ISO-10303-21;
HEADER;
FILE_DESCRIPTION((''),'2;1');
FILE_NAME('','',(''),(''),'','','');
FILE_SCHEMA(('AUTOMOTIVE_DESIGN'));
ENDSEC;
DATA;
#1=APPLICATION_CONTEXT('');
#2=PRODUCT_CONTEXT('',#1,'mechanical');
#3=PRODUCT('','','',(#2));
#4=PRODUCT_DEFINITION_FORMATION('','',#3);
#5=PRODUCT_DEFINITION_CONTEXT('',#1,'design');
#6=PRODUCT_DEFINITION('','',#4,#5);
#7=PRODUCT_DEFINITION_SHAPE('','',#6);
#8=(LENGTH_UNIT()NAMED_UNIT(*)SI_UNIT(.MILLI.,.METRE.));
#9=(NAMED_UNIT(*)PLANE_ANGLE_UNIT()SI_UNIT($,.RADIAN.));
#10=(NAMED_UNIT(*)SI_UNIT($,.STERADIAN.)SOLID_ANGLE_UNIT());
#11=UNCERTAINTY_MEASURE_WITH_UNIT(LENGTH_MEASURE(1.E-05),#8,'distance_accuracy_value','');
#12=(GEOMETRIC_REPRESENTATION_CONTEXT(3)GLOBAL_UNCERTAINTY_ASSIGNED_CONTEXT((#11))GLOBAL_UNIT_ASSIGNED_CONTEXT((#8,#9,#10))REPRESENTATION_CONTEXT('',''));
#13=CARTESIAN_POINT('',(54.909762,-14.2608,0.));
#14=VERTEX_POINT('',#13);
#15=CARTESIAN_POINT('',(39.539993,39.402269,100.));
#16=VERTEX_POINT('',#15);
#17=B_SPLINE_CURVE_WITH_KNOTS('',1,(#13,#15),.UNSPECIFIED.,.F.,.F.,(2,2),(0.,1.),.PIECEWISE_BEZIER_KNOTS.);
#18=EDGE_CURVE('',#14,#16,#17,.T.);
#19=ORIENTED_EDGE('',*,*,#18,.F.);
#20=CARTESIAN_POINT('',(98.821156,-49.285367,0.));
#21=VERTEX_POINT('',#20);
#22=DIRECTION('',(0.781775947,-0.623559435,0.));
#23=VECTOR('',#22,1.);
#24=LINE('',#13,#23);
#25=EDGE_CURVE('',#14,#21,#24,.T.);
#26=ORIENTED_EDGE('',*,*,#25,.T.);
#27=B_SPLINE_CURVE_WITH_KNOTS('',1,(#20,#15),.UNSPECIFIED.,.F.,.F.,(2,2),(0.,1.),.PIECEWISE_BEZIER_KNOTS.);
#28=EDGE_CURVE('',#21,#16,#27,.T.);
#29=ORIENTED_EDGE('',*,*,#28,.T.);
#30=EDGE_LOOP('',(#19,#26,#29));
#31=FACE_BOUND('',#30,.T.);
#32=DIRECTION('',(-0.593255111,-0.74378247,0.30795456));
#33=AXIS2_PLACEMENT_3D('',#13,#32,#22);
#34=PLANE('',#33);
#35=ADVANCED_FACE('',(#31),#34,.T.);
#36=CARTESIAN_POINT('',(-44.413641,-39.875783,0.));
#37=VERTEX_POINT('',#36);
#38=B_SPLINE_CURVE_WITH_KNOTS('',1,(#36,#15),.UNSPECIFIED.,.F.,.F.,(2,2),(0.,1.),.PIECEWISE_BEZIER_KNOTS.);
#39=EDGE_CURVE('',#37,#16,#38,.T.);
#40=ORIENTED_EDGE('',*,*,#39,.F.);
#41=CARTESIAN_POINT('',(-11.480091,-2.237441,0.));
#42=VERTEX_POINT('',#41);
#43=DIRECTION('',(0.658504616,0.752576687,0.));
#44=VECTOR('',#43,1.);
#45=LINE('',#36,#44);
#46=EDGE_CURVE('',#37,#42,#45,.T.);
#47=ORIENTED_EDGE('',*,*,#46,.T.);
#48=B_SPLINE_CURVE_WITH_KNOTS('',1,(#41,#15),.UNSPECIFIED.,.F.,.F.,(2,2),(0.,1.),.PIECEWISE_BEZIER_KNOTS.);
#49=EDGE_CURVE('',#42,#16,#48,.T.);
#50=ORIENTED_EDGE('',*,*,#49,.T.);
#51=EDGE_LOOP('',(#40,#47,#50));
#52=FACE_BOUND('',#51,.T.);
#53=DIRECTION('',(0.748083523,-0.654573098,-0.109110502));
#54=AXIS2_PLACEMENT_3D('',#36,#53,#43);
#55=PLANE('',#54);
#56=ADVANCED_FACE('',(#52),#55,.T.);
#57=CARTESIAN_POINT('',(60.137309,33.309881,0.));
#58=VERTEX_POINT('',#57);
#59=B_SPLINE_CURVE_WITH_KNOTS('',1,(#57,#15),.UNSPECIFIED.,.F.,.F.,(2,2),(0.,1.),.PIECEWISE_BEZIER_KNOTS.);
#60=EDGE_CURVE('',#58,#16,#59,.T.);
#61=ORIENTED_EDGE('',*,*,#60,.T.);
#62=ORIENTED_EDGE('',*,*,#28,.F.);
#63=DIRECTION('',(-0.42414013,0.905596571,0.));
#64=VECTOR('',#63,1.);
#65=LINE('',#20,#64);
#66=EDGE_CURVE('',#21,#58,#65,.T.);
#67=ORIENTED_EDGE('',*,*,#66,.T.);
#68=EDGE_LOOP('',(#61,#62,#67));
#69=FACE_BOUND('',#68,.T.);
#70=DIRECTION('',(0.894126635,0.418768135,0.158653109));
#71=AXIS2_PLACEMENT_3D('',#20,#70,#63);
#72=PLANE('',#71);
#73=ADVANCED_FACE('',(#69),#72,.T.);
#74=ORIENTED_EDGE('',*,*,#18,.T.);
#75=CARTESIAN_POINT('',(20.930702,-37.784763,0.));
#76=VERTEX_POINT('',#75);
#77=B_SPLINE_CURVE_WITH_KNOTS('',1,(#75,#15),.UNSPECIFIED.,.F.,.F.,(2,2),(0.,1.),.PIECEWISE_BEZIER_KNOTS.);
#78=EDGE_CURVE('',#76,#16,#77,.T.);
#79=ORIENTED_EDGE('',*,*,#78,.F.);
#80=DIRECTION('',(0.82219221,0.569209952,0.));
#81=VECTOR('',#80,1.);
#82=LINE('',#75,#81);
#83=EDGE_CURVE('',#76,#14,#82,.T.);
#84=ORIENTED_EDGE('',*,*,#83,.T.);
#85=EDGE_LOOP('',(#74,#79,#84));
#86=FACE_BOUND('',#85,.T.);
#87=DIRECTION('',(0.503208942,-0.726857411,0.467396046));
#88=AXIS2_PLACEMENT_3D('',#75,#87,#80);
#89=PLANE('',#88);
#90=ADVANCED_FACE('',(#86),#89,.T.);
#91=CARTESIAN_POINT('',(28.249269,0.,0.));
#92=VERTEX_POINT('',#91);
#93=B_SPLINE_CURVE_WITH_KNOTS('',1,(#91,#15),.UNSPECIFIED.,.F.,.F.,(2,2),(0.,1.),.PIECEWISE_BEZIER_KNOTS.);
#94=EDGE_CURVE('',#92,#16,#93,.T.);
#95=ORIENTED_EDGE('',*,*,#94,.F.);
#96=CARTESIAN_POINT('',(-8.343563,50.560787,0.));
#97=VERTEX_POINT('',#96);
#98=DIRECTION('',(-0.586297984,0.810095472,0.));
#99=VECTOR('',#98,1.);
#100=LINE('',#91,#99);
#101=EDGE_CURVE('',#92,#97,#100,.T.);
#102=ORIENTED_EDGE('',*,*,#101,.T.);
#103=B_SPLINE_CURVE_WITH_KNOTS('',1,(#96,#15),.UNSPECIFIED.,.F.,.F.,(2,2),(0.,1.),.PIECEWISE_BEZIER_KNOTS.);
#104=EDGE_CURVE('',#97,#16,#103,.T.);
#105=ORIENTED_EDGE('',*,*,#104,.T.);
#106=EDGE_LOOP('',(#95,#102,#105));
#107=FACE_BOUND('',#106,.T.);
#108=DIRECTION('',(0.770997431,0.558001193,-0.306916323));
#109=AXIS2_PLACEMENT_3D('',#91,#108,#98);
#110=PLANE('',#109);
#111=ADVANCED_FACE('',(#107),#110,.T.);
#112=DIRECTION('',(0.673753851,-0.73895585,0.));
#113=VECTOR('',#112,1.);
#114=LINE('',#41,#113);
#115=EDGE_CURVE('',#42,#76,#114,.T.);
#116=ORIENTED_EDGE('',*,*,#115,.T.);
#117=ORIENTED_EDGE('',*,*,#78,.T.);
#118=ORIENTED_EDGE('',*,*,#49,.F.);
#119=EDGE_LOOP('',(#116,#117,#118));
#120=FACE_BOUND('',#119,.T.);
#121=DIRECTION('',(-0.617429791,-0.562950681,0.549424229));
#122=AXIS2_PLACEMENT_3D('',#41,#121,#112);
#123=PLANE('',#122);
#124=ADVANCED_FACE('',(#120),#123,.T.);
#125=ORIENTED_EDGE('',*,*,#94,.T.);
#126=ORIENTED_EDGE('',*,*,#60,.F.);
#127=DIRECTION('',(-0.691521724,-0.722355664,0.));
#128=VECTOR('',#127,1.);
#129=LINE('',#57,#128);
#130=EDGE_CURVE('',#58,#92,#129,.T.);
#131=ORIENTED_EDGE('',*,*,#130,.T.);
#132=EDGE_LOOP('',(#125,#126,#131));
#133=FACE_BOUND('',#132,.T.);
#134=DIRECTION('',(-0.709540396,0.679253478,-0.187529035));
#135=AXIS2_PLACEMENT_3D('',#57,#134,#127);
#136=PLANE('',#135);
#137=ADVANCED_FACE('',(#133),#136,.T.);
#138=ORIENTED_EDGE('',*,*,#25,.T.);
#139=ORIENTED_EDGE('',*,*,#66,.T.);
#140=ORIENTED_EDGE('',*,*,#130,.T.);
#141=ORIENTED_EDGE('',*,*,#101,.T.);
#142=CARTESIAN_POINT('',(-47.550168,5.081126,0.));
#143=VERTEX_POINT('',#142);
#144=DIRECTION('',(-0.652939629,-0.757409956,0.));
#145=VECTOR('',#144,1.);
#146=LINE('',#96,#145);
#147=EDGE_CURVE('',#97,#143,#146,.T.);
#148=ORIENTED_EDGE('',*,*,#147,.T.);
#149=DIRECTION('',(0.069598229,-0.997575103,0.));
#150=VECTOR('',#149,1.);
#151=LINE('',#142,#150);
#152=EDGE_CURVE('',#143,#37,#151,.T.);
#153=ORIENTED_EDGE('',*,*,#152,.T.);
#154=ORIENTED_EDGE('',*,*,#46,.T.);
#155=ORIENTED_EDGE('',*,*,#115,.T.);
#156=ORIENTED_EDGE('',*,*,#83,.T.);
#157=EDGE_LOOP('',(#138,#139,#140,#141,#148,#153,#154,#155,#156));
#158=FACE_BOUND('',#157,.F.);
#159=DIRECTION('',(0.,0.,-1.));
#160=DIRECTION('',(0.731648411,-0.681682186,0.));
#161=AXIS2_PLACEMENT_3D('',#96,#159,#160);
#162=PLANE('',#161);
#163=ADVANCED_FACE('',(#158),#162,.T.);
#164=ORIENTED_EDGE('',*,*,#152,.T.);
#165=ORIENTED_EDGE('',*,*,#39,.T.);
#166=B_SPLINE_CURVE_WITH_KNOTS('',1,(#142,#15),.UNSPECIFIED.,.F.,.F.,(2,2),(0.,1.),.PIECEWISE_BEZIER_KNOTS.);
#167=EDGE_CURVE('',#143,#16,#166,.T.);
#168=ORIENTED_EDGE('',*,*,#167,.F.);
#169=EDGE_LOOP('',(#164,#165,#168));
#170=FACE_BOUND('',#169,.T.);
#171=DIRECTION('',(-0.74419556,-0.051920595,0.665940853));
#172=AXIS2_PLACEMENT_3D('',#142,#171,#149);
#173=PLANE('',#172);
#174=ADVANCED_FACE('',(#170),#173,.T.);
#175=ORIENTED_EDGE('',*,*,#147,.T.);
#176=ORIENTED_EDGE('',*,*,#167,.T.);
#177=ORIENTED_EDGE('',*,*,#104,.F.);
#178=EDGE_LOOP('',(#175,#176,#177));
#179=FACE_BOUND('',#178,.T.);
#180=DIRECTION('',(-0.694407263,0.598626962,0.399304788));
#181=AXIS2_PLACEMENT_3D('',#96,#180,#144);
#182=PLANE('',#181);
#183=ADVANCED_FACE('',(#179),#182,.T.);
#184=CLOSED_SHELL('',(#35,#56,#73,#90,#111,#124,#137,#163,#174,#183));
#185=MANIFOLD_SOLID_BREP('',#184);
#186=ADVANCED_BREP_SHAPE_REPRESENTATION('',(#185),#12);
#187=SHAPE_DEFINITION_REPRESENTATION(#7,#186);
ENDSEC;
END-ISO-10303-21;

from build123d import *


with BuildPart() as f3:
    # F0 (on Top) → F3 section 0
    with BuildSketch(Plane.XY, mode=Mode.PRIVATE) as f3_s0:
        Polygon((-8.343563, 50.560787), (-47.550168, 5.081126), (-44.413641, -39.875783), (-11.480091, -2.237441), (20.930702, -37.784763), (54.909762, -14.2608), (98.821156, -49.285367), (60.137309, 33.309881), (28.249269, 0), align=None)
    loft([f3_s0.sketch, Vertex(39.539993, 39.402269, 100)])


solid = f3.part
